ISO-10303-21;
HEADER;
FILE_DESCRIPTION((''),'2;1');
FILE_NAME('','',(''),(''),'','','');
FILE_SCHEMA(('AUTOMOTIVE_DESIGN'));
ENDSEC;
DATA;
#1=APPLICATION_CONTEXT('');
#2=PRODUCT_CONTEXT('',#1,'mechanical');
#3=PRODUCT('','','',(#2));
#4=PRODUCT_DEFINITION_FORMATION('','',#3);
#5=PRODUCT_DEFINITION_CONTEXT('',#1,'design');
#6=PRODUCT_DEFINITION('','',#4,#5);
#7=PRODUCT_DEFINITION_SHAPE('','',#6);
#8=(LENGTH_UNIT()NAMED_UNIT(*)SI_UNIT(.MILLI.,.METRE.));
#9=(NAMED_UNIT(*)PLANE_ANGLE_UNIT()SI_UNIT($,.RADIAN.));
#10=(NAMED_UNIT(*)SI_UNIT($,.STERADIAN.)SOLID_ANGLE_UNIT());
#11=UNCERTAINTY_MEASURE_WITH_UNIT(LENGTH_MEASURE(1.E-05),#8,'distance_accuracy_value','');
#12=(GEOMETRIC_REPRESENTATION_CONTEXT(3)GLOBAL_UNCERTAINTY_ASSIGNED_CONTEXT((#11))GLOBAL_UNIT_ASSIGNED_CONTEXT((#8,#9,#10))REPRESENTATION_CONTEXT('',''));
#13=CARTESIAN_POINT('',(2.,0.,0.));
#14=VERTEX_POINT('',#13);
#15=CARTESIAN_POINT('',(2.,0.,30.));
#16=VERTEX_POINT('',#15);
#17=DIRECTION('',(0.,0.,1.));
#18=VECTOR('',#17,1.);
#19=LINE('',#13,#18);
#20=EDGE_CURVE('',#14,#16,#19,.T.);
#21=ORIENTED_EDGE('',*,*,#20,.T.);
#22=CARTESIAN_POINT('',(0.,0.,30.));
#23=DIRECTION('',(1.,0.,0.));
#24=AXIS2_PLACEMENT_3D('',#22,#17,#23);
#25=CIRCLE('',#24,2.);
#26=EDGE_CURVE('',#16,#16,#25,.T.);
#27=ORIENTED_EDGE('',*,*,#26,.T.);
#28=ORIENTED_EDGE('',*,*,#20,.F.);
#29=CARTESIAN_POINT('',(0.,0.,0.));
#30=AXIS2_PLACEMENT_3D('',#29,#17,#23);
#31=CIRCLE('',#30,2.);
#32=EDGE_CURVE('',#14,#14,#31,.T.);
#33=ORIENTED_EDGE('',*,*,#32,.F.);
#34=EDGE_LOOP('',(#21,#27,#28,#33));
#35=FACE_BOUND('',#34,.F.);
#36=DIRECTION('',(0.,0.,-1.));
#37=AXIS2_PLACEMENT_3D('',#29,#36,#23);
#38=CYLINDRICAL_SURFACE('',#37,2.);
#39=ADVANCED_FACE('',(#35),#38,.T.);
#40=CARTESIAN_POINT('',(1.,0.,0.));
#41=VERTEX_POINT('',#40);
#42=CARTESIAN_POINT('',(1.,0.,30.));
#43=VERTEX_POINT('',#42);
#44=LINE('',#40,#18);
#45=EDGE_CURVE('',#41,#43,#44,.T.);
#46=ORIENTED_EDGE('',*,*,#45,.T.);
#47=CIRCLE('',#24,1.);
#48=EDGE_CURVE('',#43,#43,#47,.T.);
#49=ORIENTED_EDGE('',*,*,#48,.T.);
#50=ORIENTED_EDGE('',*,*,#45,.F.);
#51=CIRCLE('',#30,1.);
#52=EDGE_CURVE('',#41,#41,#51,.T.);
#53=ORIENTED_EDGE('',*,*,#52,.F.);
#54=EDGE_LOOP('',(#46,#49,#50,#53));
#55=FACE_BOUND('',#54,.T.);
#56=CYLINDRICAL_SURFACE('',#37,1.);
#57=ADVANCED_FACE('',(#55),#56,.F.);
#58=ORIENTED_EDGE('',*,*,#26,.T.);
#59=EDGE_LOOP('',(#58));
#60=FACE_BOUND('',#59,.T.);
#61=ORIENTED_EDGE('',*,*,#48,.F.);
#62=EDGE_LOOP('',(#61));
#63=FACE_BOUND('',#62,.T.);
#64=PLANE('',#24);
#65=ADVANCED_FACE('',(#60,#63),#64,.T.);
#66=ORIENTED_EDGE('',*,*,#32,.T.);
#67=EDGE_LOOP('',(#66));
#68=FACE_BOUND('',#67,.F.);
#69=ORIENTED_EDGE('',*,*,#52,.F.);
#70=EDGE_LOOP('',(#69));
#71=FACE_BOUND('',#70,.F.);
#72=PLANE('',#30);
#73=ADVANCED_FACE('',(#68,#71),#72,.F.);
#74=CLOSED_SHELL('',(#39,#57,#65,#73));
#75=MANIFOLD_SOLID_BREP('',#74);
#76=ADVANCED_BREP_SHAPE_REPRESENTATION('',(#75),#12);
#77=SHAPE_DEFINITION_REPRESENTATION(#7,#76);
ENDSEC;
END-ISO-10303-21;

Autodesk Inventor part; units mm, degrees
ref_plane "YZ Plane" through (0, 0, 0) normal (1, 0, 0) x (0, 1, 0)
ref_plane "XZ Plane" through (0, 0, 0) normal (0, 1, 0) x (-1, 0, 0)
ref_plane "XY Plane" through (0, 0, 0) normal (0, 0, 1) x (1, 0, 0)
sketch "スケッチ1" plane through (0, 0, 0) normal (0, 0, 1) x (1, 0, 0)
  circle A0 centre (0, 0) radius 2
  circle A1 centre (0, 0) radius 1
  dimension "d0" = 4
  dimension "d1" = 2
extrude "押し出し1" add sketch "スケッチ1" along normal blind 30
properties part number "スペーサーm2-30　簡易筒型" material "アルミニウム 2014-T4"
